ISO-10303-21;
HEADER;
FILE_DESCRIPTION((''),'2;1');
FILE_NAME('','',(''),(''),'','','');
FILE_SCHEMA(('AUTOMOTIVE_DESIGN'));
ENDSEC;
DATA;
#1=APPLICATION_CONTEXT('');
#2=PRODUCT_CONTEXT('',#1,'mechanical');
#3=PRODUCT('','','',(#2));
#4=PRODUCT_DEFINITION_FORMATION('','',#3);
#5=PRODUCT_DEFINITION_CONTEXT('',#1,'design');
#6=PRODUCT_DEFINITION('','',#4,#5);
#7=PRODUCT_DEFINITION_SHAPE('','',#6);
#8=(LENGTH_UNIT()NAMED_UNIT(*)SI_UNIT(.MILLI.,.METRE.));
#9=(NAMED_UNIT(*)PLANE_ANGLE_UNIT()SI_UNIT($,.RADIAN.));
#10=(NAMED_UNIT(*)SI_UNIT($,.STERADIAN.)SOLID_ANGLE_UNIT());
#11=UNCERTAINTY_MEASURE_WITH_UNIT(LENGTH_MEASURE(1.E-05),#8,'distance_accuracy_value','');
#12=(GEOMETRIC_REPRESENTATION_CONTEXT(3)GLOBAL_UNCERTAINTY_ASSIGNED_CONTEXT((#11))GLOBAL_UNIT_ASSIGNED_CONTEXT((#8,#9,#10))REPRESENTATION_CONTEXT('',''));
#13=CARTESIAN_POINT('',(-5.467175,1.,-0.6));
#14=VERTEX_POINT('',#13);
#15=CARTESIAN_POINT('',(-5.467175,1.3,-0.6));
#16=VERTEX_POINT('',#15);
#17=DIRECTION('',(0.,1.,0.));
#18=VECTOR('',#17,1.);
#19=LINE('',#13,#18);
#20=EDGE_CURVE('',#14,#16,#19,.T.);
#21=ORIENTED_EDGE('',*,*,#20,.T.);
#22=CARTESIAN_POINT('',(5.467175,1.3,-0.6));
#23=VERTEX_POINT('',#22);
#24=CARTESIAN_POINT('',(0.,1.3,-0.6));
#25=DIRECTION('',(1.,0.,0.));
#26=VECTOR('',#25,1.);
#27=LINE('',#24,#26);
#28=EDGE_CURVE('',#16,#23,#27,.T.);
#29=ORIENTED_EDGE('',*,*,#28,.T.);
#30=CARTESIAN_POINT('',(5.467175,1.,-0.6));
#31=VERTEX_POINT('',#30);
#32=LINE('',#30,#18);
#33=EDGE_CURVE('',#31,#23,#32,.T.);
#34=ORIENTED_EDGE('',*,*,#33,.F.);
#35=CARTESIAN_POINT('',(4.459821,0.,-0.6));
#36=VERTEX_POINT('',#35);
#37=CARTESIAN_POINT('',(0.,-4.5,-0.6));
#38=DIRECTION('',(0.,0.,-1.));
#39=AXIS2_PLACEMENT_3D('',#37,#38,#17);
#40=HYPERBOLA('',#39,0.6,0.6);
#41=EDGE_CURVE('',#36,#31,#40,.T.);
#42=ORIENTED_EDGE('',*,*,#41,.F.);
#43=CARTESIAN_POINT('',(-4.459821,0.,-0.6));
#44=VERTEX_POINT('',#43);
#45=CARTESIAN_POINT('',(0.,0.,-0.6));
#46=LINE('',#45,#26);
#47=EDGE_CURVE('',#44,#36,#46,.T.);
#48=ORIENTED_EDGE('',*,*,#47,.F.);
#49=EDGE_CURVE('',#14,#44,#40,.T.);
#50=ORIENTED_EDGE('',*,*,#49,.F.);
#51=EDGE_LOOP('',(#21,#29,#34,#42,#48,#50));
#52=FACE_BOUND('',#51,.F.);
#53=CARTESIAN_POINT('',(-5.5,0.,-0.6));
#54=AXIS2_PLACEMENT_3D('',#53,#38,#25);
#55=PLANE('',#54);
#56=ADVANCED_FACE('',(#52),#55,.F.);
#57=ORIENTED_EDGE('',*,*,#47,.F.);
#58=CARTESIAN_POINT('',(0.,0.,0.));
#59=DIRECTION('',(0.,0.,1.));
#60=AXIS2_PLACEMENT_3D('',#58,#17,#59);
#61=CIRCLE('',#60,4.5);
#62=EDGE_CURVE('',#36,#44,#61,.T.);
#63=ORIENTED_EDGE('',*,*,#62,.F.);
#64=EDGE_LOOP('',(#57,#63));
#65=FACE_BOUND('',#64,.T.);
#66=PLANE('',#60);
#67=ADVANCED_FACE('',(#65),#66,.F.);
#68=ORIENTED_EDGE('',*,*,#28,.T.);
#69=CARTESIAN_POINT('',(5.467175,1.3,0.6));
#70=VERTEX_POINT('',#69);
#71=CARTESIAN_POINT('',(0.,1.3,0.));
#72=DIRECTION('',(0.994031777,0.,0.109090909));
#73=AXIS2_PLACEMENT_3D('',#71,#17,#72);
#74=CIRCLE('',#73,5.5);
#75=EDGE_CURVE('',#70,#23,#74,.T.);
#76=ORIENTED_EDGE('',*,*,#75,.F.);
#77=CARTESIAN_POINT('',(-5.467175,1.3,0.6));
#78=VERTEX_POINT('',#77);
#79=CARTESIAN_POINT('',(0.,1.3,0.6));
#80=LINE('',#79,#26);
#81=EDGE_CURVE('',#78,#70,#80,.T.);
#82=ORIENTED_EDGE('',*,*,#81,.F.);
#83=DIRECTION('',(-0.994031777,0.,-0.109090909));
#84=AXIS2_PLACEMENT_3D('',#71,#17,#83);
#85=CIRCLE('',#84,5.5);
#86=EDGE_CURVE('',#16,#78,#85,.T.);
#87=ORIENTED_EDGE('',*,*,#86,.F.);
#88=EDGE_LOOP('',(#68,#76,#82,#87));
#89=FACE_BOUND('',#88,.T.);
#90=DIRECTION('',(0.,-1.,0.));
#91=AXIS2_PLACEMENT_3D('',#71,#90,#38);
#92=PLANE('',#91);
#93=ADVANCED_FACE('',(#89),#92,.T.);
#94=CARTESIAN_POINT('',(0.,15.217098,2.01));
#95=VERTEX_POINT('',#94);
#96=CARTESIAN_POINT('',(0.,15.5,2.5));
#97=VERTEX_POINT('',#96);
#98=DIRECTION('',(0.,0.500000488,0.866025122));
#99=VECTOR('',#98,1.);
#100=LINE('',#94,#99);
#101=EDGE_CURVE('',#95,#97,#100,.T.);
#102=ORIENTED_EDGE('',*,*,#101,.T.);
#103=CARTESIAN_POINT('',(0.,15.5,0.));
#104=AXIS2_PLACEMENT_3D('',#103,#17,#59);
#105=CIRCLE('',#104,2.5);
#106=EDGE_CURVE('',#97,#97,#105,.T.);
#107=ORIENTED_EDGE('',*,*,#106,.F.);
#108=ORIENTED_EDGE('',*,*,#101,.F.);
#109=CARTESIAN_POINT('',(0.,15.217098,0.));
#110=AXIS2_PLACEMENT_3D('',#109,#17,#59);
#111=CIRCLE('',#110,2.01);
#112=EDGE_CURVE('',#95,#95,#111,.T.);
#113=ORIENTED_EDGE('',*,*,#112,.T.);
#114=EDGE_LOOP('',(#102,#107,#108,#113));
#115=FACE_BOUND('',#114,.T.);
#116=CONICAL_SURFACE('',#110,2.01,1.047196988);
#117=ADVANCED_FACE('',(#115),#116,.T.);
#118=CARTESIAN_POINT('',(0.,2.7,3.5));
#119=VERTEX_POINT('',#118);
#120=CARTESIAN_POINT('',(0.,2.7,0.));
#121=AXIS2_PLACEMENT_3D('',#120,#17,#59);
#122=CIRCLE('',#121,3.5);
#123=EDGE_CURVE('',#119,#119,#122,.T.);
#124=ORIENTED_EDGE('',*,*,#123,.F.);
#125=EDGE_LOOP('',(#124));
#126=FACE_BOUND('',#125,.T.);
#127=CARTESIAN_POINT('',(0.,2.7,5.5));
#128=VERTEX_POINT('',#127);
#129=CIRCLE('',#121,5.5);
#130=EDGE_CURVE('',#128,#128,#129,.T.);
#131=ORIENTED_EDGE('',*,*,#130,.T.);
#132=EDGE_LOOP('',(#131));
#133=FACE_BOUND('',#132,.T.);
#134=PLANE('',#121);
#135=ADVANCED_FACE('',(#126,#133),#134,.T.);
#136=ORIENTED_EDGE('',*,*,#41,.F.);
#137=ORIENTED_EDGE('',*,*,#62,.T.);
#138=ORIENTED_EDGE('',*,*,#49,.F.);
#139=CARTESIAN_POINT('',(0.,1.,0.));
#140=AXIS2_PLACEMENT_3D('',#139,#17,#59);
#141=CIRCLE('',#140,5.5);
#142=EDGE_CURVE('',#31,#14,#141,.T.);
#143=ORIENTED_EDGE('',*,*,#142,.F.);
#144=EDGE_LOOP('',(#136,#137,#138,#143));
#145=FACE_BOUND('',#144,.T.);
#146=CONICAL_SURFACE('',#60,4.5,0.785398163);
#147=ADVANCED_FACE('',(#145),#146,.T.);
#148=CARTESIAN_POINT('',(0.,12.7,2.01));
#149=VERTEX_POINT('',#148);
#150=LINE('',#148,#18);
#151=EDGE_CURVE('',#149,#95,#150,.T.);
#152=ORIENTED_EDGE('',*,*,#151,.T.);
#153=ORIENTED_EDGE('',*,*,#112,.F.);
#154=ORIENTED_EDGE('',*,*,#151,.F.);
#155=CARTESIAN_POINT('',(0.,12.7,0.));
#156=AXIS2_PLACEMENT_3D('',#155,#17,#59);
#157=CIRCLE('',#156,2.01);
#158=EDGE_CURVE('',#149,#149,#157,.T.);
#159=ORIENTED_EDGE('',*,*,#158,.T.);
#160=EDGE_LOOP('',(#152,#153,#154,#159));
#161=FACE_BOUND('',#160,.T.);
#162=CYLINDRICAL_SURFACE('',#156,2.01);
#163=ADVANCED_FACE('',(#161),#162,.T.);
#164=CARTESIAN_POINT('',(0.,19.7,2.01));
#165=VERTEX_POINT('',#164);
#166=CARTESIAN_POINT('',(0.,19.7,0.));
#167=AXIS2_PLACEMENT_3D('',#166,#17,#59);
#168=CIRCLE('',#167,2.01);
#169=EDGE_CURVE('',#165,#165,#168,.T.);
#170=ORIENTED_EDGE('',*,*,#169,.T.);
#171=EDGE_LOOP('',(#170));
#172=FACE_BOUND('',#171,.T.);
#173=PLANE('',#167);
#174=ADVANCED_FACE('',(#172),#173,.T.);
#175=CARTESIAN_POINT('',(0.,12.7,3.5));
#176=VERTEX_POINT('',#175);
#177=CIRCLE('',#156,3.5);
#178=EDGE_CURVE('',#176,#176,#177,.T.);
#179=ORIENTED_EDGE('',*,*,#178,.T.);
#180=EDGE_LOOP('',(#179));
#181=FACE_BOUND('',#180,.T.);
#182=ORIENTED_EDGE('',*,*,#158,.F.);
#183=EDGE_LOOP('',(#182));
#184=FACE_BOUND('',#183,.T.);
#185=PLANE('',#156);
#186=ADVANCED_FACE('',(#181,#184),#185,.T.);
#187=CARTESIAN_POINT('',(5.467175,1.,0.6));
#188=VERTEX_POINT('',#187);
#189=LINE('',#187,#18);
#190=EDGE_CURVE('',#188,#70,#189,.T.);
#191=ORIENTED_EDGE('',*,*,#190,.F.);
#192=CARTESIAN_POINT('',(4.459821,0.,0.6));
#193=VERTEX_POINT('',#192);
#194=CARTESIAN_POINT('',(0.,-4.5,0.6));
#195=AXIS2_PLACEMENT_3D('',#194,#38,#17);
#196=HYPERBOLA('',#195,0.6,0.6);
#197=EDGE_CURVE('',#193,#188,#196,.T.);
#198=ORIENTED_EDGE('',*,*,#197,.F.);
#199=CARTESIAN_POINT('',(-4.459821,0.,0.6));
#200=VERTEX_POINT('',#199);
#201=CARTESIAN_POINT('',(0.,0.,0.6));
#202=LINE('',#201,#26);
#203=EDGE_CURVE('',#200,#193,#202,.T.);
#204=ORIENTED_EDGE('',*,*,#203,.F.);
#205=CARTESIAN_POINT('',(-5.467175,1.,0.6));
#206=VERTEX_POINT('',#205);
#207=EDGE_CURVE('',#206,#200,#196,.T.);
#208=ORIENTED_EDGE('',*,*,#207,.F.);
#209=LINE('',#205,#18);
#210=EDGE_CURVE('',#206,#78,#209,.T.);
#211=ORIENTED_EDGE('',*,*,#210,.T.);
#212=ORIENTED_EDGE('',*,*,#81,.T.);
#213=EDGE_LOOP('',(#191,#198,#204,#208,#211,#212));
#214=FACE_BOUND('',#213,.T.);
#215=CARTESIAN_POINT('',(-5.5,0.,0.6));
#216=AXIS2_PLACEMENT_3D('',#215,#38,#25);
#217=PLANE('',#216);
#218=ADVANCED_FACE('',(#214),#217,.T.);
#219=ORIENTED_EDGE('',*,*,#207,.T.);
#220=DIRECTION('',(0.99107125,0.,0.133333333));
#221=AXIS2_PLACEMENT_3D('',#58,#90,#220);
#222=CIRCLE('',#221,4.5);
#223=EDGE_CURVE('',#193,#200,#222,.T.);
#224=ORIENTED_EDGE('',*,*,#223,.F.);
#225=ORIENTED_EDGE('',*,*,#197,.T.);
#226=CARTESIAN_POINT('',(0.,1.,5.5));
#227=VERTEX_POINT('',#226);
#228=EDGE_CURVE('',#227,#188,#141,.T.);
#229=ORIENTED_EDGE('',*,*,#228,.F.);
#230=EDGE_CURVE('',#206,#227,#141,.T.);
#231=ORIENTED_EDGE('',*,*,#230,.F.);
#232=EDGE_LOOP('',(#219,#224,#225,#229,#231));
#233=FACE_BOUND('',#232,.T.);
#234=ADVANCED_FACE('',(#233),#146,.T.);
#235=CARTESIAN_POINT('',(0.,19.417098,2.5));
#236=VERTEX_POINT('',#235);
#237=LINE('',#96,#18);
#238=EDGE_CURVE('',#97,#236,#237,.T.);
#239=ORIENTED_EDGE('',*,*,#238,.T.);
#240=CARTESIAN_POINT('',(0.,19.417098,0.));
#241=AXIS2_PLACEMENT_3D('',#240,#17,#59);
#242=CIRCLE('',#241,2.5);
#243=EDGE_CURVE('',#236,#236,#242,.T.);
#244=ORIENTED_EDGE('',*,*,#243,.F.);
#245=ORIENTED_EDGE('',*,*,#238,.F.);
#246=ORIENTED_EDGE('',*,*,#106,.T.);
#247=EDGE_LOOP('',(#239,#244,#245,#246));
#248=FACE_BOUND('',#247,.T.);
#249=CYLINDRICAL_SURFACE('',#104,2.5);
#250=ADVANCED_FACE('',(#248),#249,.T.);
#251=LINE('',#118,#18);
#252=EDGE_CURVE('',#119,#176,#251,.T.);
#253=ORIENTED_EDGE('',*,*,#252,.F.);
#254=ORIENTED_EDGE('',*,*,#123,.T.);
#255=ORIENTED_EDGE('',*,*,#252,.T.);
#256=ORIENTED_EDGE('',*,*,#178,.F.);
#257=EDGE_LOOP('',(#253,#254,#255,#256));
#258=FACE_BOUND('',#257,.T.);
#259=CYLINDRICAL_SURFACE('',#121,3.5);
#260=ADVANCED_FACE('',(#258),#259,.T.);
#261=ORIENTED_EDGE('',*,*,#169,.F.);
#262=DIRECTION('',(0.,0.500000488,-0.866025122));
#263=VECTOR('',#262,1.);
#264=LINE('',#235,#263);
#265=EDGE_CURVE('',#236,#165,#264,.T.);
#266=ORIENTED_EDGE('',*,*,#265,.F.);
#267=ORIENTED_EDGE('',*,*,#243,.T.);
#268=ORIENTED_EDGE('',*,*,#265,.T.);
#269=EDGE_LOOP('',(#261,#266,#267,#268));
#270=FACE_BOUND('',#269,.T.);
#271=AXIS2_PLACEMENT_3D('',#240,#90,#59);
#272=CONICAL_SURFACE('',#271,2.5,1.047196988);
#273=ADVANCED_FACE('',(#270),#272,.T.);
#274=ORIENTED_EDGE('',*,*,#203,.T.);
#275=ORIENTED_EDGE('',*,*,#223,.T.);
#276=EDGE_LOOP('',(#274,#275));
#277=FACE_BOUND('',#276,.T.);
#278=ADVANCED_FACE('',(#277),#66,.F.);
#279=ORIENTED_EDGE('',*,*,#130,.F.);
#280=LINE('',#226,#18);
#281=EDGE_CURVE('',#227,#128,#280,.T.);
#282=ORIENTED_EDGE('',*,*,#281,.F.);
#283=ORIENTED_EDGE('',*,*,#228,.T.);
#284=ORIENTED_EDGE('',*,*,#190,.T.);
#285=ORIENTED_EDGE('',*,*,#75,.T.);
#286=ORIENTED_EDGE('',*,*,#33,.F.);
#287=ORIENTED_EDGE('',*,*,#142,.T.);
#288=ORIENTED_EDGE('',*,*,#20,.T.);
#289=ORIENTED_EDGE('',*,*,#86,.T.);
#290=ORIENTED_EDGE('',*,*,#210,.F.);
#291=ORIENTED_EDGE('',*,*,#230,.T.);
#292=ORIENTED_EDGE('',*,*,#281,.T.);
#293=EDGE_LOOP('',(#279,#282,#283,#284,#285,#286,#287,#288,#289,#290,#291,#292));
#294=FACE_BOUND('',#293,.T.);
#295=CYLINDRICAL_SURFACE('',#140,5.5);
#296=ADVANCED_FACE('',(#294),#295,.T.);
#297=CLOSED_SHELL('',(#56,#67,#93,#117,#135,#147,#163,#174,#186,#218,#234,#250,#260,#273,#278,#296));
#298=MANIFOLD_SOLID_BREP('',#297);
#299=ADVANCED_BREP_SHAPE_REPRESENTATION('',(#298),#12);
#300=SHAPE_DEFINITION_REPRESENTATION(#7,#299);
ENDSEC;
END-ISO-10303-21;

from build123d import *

# Parameters (mm, degrees)
SKETCH001_W  = 1.2
SKETCH001_H  = 11
POCKET_DEPTH = 1.3


with BuildPart() as part:
    # Sketch → Revolution (revolve)
    with BuildSketch(Plane.YZ):
        Polygon((0, 0), (0, 4.5), (1, 5.5), (2.7, 5.5), (2.7, 3.5), (12.7, 3.5), (12.7, 2.01), (15.217098, 2.01), (15.5, 2.5), (19.417098, 2.5), (19.7, 2.01), (19.7, 0), align=None)
    revolve(axis=Axis((0, 0, 0), (0, 1, 0)))

    # Sketch001 → Pocket (cut)
    with BuildSketch(Plane(origin=(0, 0, 0), x_dir=(0, 0, -1), z_dir=(0, -1, 0))):
        Rectangle(SKETCH001_W, SKETCH001_H)
    extrude(amount=-POCKET_DEPTH, mode=Mode.SUBTRACT)


solid = part.part
